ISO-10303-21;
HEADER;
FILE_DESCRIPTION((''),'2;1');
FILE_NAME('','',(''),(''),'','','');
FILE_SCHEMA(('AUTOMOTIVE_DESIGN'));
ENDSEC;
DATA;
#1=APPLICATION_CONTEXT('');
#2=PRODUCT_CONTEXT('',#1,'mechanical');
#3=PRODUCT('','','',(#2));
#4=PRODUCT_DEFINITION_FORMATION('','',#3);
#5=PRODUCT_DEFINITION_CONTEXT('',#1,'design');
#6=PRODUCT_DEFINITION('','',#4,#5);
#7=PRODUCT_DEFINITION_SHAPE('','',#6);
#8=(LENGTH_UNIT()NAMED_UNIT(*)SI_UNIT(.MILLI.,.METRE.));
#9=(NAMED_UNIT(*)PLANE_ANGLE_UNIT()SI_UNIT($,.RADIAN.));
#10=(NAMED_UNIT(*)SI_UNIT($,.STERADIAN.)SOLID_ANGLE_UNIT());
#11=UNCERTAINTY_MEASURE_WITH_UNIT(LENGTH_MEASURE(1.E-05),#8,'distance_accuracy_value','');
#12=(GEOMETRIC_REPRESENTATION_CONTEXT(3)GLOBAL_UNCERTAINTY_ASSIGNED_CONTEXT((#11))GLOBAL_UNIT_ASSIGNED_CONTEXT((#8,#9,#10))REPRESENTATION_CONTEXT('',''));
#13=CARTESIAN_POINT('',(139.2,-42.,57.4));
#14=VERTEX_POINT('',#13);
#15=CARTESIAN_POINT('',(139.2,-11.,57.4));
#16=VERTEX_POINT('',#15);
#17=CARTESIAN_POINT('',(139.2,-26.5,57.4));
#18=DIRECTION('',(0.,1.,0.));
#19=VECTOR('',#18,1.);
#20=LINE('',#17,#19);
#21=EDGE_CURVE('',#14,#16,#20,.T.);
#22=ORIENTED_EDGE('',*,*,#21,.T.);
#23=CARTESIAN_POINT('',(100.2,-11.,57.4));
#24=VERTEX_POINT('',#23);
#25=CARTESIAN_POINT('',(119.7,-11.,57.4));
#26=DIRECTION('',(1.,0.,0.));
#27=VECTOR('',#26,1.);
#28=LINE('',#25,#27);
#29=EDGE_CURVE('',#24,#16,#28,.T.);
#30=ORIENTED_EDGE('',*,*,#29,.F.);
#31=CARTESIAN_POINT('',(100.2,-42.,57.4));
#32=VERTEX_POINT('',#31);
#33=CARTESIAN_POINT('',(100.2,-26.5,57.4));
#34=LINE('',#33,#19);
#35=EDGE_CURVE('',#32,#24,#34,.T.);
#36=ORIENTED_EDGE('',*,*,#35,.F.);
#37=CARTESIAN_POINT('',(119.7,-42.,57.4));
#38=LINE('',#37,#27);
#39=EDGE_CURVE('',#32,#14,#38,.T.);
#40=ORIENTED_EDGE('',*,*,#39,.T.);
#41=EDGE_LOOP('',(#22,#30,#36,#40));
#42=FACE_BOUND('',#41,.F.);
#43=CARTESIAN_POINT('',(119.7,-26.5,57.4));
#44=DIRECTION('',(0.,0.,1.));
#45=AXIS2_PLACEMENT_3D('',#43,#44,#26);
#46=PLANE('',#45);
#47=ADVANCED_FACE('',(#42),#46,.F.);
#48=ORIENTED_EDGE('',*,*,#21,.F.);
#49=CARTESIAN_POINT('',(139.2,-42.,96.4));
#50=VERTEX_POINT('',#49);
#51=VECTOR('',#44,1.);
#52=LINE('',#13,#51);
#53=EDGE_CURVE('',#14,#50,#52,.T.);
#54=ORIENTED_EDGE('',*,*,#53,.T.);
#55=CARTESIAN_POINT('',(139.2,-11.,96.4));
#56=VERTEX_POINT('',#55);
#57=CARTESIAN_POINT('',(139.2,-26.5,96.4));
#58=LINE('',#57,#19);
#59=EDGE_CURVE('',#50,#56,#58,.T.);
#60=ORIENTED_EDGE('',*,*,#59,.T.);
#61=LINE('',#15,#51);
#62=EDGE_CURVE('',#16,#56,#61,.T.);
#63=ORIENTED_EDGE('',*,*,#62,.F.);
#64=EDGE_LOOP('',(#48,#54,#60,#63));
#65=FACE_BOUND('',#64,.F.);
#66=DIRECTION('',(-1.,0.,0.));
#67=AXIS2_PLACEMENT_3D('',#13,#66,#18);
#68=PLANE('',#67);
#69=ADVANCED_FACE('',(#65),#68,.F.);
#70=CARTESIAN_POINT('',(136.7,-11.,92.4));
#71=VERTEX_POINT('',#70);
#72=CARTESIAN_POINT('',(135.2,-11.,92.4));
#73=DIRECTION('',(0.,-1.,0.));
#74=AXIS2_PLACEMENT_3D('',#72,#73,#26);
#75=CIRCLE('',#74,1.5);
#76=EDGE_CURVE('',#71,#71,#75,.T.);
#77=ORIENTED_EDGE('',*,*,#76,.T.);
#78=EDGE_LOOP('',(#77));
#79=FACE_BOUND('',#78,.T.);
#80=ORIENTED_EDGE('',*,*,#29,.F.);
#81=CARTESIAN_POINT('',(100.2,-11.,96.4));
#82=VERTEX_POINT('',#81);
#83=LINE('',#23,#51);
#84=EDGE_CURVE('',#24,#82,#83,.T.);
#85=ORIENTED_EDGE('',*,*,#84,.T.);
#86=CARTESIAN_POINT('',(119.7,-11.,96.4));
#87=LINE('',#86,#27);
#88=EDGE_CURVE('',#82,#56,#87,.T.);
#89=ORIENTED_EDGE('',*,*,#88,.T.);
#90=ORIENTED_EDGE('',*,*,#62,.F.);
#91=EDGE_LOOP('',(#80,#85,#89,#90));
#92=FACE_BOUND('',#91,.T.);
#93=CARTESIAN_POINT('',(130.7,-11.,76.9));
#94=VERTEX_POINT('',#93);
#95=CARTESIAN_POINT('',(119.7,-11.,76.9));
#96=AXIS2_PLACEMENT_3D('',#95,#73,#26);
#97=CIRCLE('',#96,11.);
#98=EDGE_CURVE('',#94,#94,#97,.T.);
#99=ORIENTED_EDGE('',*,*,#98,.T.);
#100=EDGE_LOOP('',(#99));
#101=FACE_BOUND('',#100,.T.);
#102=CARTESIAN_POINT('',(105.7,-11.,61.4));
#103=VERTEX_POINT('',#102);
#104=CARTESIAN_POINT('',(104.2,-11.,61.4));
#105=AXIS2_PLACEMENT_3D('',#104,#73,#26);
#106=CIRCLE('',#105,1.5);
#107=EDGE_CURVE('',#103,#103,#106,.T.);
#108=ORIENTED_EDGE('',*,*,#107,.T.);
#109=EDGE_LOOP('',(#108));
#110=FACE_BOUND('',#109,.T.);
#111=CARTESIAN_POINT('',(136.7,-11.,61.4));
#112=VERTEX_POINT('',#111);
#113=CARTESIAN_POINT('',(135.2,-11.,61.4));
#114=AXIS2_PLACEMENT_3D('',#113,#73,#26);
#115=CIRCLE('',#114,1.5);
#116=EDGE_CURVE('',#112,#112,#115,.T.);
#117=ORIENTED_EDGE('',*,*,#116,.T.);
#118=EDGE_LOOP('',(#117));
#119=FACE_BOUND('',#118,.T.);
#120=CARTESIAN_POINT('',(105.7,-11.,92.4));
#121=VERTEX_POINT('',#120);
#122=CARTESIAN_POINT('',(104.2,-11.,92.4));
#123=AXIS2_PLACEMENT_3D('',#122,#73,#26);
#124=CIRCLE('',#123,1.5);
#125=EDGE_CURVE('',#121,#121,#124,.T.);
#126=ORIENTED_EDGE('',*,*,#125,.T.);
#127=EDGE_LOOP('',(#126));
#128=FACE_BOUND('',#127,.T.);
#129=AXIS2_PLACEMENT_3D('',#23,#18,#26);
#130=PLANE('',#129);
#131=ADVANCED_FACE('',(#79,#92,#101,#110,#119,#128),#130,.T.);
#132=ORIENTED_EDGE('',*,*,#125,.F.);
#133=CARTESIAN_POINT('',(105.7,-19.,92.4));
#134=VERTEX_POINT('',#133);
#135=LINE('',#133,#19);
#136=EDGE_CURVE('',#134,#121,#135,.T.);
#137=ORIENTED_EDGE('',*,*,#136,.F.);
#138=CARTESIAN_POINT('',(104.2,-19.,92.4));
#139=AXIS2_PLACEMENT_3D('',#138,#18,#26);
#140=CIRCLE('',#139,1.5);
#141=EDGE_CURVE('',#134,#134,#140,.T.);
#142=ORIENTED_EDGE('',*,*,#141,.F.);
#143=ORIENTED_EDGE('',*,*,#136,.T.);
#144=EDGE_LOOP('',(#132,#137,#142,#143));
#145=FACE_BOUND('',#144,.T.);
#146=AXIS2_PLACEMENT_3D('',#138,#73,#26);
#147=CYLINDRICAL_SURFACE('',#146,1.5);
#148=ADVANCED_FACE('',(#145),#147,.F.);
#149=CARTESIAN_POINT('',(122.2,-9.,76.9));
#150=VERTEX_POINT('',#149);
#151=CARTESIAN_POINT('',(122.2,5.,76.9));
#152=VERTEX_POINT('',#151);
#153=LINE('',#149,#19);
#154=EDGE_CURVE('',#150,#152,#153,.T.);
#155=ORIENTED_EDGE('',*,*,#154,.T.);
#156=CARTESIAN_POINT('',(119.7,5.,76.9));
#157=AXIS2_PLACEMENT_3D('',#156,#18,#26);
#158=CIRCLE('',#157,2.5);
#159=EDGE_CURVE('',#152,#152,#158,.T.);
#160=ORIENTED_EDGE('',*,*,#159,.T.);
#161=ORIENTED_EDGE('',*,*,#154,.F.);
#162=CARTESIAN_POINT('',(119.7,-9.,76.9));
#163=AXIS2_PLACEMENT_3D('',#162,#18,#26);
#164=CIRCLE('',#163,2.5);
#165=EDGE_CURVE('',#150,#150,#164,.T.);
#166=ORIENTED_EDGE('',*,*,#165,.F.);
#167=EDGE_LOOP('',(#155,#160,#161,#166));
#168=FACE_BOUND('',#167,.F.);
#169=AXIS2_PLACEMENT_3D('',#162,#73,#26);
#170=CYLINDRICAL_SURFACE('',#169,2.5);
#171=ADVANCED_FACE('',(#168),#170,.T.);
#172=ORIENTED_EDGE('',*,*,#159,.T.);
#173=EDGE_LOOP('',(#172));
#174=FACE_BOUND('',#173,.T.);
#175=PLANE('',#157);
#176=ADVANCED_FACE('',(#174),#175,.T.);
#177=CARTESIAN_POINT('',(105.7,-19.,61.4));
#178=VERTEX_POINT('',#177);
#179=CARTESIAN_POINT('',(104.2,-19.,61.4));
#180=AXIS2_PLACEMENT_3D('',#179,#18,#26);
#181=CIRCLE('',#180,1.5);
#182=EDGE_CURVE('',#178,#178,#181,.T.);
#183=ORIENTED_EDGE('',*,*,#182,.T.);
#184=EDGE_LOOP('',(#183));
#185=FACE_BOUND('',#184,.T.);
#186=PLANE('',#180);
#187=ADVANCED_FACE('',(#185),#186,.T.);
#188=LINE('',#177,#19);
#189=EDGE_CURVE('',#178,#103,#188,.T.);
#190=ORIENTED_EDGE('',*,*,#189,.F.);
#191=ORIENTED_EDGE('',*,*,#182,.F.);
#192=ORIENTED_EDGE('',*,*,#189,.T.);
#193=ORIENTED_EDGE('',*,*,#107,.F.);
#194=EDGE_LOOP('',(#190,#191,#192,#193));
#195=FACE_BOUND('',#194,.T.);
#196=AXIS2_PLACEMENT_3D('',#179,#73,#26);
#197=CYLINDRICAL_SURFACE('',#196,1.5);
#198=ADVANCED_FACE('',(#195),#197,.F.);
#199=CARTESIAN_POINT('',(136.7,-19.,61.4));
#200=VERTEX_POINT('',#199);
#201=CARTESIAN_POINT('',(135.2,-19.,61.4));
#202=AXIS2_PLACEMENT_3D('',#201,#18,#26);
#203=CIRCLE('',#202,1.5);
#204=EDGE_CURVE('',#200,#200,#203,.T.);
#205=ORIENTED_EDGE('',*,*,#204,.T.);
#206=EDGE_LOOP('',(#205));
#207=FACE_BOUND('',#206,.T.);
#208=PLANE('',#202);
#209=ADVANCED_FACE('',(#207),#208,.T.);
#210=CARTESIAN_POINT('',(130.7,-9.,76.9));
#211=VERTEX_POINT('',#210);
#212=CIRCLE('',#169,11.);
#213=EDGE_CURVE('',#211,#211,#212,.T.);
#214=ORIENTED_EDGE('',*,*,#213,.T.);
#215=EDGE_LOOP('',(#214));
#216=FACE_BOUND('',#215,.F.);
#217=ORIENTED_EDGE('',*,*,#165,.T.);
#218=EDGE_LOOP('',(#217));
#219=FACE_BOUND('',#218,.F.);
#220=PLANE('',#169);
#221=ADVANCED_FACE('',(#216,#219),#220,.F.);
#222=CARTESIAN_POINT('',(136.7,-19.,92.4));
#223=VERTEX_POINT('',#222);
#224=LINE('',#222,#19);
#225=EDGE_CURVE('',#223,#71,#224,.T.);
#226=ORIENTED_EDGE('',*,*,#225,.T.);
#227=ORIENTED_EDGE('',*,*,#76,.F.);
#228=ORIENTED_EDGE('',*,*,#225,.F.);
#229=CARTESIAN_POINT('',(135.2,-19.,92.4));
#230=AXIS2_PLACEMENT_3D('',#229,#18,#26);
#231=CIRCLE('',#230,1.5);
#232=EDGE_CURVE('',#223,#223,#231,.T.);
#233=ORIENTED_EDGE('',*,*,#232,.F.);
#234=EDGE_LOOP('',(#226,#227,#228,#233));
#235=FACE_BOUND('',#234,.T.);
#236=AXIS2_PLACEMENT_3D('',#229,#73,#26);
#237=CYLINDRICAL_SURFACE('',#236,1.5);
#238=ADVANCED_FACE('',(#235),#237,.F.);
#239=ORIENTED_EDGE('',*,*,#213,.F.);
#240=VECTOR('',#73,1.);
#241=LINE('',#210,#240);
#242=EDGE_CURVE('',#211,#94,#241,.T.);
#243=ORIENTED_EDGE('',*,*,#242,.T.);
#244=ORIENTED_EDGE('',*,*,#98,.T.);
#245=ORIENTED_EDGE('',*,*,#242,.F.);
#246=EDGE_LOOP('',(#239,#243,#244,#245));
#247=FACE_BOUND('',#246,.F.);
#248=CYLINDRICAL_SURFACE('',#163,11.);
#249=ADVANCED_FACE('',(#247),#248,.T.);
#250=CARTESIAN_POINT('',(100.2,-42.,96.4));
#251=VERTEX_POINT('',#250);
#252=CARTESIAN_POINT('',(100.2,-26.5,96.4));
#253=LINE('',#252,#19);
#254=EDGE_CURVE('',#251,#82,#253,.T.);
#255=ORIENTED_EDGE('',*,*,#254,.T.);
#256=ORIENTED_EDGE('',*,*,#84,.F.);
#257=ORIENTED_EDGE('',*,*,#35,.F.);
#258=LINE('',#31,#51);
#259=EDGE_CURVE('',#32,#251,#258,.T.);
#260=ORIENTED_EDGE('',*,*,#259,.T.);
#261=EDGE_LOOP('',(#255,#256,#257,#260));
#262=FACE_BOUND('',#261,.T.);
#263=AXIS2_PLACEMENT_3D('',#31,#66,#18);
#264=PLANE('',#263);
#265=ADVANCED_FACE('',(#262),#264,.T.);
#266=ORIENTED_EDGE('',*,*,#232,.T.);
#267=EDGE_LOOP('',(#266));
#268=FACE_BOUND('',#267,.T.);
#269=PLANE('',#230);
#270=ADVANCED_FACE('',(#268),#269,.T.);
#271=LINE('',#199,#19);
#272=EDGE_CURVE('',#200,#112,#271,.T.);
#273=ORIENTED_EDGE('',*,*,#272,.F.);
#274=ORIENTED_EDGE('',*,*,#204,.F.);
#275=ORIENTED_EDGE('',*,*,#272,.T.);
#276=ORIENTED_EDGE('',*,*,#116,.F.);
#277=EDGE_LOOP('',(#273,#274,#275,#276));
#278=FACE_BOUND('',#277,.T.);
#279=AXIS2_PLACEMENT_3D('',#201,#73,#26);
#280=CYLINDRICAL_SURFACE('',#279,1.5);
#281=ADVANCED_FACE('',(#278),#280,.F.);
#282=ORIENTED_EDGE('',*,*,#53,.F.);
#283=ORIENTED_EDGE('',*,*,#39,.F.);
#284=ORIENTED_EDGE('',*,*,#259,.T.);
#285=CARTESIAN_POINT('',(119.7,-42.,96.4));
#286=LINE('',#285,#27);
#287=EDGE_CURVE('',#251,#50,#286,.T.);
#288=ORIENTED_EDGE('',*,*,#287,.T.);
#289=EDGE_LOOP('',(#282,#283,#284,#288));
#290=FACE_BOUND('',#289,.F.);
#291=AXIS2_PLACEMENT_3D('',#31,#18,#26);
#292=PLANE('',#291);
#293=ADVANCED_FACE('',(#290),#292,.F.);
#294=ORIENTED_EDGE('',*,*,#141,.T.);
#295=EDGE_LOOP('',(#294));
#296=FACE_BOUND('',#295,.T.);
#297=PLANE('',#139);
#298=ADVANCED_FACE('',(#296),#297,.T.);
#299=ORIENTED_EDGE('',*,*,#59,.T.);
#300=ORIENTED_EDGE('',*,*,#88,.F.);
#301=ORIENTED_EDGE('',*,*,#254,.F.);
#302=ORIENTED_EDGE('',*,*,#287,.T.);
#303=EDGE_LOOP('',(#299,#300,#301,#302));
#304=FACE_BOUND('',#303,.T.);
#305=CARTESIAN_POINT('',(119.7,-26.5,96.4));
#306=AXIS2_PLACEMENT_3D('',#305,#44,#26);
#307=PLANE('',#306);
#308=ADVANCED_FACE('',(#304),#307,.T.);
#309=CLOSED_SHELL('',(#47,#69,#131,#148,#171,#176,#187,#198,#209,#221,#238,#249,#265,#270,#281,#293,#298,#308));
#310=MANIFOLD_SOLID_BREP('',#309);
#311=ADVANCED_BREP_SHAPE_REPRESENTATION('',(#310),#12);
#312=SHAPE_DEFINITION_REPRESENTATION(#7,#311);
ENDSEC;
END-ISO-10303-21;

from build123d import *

# Parameters (mm, degrees)
CYLINDER013_R     = 11
CYLINDER013_DEPTH = 2
CYLINDER014_R     = 2.5
CYLINDER014_DEPTH = 14
CYLINDER010_R     = 1.5
CYLINDER010_DEPTH = 10
CYLINDER011_R     = 1.5
CYLINDER011_DEPTH = 10
CYLINDER012_R     = 1.5
CYLINDER012_DEPTH = 10
CYLINDER009_R     = 1.5
CYLINDER009_DEPTH = 10
BOX001_W          = 39
BOX001_H          = 31
BOX001_DEPTH      = 39


with BuildPart() as cylinder013:
    # Cylinder013 → Cylinder013 (new body)
    with BuildSketch(Plane(origin=(19.5, 33, 19.5), x_dir=(1, 0, 0), z_dir=(0, -1, 0))):
        Circle(CYLINDER013_R)
    extrude(amount=CYLINDER013_DEPTH)


with BuildPart() as cylinder014:
    # Cylinder014 → Cylinder014 (new body)
    with BuildSketch(Plane(origin=(19.5, 33, 19.5), x_dir=(1, 0, 0), z_dir=(0, 1, 0))):
        Circle(CYLINDER014_R)
    extrude(amount=CYLINDER014_DEPTH)


with BuildPart() as cylinder010:
    # Cylinder010 → Cylinder010 (new body)
    with BuildSketch(Plane(origin=(35, 23, 35), x_dir=(1, 0, 0), z_dir=(0, 1, 0))):
        Circle(CYLINDER010_R)
    extrude(amount=CYLINDER010_DEPTH)


with BuildPart() as cylinder011:
    # Cylinder011 → Cylinder011 (new body)
    with BuildSketch(Plane(origin=(35, 23, 4), x_dir=(1, 0, 0), z_dir=(0, 1, 0))):
        Circle(CYLINDER011_R)
    extrude(amount=CYLINDER011_DEPTH)


with BuildPart() as cylinder012:
    # Cylinder012 → Cylinder012 (new body)
    with BuildSketch(Plane(origin=(4, 23, 4), x_dir=(1, 0, 0), z_dir=(0, 1, 0))):
        Circle(CYLINDER012_R)
    extrude(amount=CYLINDER012_DEPTH)


with BuildPart() as cylinder009:
    # Cylinder009 → Cylinder009 (new body)
    with BuildSketch(Plane(origin=(4, 23, 35), x_dir=(1, 0, 0), z_dir=(0, 1, 0))):
        Circle(CYLINDER009_R)
    extrude(amount=CYLINDER009_DEPTH)


with BuildPart() as fusion001:
    # Box001 → Box001 (new body)
    with BuildSketch(Plane.XY):
        with Locations((19.5, 15.5)):
            Rectangle(BOX001_W, BOX001_H)
    extrude(amount=BOX001_DEPTH)

    # Cut005: cut Cylinder009
    add(cylinder009.part, mode=Mode.SUBTRACT)

    # Cut006: cut Cylinder012
    add(cylinder012.part, mode=Mode.SUBTRACT)

    # Cut007: cut Cylinder011
    add(cylinder011.part, mode=Mode.SUBTRACT)

    # Cut008: cut Cylinder010
    add(cylinder010.part, mode=Mode.SUBTRACT)

    # Fusion001: union Cylinder013, Cylinder014
    add(cylinder013.part)
    add(cylinder014.part)


with BuildPart() as fusion001_1:
    # Fusion001 placement: moved
    add(fusion001.part.moved(Location((100.2, -42, 57.4))))


solid = fusion001_1.part
